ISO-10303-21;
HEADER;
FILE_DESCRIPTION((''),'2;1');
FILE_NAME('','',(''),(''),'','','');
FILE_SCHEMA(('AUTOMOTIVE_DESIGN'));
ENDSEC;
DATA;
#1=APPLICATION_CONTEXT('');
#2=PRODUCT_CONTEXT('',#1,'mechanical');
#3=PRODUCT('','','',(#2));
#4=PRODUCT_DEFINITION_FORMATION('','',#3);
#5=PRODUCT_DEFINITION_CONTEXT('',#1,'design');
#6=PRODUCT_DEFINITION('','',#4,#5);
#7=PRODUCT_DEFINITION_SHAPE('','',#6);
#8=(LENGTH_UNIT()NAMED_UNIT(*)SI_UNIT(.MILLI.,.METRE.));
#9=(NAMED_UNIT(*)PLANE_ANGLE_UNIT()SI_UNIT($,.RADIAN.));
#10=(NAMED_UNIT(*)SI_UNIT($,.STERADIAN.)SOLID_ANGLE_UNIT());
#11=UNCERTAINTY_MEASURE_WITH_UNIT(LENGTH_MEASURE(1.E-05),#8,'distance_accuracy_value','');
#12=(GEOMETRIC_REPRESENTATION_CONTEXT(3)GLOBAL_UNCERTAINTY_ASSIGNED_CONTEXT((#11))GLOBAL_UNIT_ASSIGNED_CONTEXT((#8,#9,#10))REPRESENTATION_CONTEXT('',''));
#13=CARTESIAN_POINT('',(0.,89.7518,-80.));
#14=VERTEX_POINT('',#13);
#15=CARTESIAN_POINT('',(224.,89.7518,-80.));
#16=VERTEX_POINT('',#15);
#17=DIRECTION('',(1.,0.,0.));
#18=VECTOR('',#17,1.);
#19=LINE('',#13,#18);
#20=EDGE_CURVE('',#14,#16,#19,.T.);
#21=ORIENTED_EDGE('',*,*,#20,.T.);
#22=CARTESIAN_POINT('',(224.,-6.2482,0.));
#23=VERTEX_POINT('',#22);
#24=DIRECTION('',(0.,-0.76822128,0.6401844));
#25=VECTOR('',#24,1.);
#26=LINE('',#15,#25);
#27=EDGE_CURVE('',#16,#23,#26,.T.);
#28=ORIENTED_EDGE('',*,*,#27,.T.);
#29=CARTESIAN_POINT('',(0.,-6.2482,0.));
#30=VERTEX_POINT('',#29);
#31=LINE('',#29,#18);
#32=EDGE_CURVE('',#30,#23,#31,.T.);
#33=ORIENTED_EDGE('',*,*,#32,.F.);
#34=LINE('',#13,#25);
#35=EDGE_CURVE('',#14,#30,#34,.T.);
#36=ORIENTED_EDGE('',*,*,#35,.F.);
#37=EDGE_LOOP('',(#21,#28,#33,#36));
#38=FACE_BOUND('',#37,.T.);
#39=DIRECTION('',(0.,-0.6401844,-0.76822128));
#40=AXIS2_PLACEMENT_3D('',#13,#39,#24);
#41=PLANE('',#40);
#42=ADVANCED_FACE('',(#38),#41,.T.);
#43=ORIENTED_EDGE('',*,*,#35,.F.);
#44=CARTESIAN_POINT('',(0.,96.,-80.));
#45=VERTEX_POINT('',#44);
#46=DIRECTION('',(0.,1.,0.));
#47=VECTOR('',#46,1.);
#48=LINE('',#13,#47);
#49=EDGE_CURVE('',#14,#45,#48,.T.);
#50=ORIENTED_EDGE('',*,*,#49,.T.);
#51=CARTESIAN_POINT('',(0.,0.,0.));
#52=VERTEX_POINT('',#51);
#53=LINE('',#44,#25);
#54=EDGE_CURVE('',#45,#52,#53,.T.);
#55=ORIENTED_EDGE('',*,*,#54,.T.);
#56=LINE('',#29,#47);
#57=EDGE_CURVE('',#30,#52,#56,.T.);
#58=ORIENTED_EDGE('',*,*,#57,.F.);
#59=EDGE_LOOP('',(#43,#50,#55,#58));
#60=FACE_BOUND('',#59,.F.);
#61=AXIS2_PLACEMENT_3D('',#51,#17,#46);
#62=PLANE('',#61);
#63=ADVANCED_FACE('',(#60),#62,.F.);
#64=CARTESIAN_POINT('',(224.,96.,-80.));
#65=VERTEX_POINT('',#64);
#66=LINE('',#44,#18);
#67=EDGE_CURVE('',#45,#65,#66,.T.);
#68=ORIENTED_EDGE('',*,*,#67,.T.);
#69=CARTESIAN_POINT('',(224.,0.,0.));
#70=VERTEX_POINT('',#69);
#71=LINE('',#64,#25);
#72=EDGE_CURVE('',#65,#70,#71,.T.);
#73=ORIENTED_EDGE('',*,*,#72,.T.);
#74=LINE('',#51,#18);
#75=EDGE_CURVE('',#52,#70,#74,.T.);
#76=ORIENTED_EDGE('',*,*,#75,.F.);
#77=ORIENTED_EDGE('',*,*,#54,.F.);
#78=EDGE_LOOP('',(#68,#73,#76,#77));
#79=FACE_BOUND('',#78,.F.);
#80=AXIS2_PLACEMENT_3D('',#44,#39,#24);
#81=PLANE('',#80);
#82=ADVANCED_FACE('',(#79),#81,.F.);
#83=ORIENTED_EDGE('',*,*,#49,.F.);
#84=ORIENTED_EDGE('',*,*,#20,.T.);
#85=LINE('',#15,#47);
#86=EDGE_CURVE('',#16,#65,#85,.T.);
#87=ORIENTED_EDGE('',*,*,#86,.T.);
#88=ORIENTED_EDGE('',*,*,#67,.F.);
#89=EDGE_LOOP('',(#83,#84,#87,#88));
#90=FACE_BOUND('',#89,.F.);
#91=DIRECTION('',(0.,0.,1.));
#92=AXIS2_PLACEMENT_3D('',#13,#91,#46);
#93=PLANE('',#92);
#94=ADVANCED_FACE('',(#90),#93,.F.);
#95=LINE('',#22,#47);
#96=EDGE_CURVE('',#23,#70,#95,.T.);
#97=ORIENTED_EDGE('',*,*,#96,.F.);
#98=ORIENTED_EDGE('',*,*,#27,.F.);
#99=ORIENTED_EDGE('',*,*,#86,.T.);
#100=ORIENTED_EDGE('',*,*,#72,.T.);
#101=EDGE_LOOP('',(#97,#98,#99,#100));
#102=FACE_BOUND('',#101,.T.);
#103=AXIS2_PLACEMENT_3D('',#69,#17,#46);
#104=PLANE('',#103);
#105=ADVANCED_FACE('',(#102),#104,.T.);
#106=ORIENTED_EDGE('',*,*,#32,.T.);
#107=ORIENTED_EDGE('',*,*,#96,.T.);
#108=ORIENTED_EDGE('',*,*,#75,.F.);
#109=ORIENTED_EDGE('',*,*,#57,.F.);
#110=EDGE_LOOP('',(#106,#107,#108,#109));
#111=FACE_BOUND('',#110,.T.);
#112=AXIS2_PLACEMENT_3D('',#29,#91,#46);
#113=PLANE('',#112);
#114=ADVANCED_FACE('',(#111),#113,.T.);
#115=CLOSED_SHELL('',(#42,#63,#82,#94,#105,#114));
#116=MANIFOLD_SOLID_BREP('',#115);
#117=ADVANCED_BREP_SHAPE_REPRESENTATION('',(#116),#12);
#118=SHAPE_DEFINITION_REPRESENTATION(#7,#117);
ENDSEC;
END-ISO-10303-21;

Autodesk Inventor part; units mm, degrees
ref_plane "YZ Plane" through (0, 0, 0) normal (1, 0, 0) x (0, 1, 0)
ref_plane "XZ Plane" through (0, 0, 0) normal (0, 1, 0) x (-1, 0, 0)
ref_plane "XY Plane" through (0, 0, 0) normal (0, 0, 1) x (1, 0, 0)
sketch "Skizze1" plane through (0, 0, 0) normal (1, 0, 0) x (0, 1, 0)
  line L0 (0, 0) -> (97, 0) construction
  line L1 (-6.2482, 0) -> (-6.2482, -80)
  line L2 (-6.2482, -80) -> (89.7518, -80)
  line L3 (89.7518, -80) -> (-6.2482, 0)
  line L4 (89.7518, -80) -> (96, -80)
  line L5 (96, -80) -> (0, 0)
  line L6 (-6.2482, 0) -> (0, 0)
  dimension "d7" = 80
  dimension "d8" = 96
  dimension "d12" = 4
extrude "Extrusion2" add sketch "Skizze1" along normal blind 224 contours L6 L5 L4 L3
properties part number "TorraumSchrägeObenNEU"
